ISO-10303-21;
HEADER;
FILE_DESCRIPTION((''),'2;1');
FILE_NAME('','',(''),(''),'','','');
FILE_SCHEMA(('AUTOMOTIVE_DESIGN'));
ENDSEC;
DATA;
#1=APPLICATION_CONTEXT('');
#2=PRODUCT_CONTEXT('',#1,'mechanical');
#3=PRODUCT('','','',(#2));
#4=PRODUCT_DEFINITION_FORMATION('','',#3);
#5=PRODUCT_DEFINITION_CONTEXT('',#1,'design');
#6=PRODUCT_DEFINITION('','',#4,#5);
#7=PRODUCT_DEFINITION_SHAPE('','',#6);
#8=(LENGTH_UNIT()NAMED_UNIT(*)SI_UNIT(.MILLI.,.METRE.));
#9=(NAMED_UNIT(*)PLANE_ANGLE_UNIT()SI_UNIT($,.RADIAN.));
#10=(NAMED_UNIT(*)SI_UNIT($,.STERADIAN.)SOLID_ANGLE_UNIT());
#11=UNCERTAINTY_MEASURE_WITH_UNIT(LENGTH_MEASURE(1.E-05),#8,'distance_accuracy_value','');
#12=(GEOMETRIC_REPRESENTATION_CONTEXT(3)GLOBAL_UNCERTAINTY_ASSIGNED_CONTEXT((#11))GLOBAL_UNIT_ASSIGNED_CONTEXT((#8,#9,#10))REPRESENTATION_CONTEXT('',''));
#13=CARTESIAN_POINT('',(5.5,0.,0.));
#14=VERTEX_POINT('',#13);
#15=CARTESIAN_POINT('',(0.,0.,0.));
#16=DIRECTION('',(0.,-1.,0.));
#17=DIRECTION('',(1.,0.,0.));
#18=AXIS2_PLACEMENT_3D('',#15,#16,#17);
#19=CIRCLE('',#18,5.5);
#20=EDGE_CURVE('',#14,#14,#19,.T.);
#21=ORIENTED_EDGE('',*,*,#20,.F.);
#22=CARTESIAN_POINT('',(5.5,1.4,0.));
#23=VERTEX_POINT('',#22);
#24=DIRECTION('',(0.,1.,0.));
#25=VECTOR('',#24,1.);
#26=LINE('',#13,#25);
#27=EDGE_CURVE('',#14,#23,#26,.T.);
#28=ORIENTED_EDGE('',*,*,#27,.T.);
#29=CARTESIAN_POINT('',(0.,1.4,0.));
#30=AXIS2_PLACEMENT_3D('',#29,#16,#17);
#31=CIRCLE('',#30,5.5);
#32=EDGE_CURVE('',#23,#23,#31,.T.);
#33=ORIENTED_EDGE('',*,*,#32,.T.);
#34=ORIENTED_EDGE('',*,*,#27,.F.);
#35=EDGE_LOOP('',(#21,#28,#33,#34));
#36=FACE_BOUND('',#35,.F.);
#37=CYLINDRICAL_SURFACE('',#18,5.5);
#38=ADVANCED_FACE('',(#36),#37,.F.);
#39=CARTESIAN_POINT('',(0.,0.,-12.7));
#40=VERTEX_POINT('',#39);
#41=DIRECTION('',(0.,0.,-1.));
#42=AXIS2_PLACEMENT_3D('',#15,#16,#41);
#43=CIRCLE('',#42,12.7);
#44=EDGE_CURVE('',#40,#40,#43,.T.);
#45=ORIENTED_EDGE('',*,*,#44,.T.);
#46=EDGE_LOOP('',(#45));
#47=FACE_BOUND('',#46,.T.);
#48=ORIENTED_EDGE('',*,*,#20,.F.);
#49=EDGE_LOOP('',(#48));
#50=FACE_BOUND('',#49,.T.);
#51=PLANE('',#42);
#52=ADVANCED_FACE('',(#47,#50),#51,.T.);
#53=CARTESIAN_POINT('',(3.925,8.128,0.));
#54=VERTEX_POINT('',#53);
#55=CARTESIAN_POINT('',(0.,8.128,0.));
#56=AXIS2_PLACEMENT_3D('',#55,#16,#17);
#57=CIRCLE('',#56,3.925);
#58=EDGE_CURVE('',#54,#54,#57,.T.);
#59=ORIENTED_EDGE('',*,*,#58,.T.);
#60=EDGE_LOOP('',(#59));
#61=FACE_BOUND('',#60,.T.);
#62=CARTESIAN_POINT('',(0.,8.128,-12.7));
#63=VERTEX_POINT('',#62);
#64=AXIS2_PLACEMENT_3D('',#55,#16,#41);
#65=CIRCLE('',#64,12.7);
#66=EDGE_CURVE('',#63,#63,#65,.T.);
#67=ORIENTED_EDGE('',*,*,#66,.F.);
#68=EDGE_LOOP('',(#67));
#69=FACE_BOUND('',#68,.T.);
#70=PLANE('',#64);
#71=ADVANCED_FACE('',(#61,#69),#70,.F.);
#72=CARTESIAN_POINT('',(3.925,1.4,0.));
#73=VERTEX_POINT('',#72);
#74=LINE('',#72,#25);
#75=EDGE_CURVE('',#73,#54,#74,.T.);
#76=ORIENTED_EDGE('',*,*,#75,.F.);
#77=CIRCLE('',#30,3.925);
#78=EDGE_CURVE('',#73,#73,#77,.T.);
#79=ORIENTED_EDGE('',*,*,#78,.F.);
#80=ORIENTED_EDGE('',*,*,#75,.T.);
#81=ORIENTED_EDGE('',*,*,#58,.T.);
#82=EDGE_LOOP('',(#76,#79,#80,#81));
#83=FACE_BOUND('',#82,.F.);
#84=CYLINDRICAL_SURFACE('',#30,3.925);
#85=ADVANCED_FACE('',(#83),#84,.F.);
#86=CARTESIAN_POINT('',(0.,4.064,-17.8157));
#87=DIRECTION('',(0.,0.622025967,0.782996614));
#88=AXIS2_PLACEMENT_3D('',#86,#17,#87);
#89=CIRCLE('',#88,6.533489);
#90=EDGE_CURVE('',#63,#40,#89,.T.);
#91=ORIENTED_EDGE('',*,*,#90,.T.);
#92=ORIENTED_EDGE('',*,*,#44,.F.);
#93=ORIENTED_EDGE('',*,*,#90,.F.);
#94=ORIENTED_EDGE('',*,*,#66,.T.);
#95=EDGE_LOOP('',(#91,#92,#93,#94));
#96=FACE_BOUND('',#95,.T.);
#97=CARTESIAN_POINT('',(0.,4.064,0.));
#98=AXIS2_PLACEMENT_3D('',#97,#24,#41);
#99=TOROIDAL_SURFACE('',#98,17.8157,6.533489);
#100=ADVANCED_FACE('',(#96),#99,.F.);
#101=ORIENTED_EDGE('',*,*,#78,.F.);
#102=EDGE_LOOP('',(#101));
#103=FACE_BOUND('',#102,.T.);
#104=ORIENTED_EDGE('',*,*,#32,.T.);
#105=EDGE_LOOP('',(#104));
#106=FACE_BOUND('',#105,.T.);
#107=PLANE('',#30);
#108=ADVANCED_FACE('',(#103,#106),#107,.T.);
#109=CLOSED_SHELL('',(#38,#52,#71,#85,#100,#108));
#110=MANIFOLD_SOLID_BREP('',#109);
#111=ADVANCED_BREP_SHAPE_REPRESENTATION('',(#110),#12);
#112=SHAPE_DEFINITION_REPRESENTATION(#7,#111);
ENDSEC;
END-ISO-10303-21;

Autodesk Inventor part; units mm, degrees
ref_plane "YZ Plane" through (0, 0, 0) normal (1, 0, 0) x (0, 1, 0)
ref_plane "XZ Plane" through (0, 0, 0) normal (0, 1, 0) x (-1, 0, 0)
ref_plane "XY Plane" through (0, 0, 0) normal (0, 0, 1) x (1, 0, 0)
sketch "Sketch1" plane through (0, 0, 0) normal (1, 0, 0) x (0, 1, 0)
  line L0 (0, 0) -> (8.128, 0)
  line L1 (8.128, 0) -> (8.128, -12.7)
  line L2 (0, -12.7) -> (0, 0)
  arc A0 (8.128, -12.7) -> (0, -12.7) centre (4.064, -17.8157) ccw
  line L3 (8.128, 0) -> (6.0753, 0)
  line L4 (4.064, 0) -> (4.064, -17.8157) construction
  dimension "d1" = 8.128
  dimension "d2" = 12.7
revolve "Revolution1" add sketch "Sketch1" angle 360 about axis through (0, 8.128, 0) along (0, -1, 0)
sketch "Sketch2" plane through (0, 0, 0) normal (0, -1, 0) x (1, 0, 0)
  circle A0 centre (0, 0) radius 5.5
  dimension "d3" = 11
extrude "Extrusion1" cut sketch "Sketch2" against normal blind 1.4
sketch "Sketch3" plane through (0, 1.4, 0) normal (0, -1, 0) x (1, 0, 0)
  circle A0 centre (0, 0) radius 3.925
  dimension "d6" = 7.85
extrude "Extrusion2" cut sketch "Sketch3" against normal through all
properties part number "top - top pullet"
